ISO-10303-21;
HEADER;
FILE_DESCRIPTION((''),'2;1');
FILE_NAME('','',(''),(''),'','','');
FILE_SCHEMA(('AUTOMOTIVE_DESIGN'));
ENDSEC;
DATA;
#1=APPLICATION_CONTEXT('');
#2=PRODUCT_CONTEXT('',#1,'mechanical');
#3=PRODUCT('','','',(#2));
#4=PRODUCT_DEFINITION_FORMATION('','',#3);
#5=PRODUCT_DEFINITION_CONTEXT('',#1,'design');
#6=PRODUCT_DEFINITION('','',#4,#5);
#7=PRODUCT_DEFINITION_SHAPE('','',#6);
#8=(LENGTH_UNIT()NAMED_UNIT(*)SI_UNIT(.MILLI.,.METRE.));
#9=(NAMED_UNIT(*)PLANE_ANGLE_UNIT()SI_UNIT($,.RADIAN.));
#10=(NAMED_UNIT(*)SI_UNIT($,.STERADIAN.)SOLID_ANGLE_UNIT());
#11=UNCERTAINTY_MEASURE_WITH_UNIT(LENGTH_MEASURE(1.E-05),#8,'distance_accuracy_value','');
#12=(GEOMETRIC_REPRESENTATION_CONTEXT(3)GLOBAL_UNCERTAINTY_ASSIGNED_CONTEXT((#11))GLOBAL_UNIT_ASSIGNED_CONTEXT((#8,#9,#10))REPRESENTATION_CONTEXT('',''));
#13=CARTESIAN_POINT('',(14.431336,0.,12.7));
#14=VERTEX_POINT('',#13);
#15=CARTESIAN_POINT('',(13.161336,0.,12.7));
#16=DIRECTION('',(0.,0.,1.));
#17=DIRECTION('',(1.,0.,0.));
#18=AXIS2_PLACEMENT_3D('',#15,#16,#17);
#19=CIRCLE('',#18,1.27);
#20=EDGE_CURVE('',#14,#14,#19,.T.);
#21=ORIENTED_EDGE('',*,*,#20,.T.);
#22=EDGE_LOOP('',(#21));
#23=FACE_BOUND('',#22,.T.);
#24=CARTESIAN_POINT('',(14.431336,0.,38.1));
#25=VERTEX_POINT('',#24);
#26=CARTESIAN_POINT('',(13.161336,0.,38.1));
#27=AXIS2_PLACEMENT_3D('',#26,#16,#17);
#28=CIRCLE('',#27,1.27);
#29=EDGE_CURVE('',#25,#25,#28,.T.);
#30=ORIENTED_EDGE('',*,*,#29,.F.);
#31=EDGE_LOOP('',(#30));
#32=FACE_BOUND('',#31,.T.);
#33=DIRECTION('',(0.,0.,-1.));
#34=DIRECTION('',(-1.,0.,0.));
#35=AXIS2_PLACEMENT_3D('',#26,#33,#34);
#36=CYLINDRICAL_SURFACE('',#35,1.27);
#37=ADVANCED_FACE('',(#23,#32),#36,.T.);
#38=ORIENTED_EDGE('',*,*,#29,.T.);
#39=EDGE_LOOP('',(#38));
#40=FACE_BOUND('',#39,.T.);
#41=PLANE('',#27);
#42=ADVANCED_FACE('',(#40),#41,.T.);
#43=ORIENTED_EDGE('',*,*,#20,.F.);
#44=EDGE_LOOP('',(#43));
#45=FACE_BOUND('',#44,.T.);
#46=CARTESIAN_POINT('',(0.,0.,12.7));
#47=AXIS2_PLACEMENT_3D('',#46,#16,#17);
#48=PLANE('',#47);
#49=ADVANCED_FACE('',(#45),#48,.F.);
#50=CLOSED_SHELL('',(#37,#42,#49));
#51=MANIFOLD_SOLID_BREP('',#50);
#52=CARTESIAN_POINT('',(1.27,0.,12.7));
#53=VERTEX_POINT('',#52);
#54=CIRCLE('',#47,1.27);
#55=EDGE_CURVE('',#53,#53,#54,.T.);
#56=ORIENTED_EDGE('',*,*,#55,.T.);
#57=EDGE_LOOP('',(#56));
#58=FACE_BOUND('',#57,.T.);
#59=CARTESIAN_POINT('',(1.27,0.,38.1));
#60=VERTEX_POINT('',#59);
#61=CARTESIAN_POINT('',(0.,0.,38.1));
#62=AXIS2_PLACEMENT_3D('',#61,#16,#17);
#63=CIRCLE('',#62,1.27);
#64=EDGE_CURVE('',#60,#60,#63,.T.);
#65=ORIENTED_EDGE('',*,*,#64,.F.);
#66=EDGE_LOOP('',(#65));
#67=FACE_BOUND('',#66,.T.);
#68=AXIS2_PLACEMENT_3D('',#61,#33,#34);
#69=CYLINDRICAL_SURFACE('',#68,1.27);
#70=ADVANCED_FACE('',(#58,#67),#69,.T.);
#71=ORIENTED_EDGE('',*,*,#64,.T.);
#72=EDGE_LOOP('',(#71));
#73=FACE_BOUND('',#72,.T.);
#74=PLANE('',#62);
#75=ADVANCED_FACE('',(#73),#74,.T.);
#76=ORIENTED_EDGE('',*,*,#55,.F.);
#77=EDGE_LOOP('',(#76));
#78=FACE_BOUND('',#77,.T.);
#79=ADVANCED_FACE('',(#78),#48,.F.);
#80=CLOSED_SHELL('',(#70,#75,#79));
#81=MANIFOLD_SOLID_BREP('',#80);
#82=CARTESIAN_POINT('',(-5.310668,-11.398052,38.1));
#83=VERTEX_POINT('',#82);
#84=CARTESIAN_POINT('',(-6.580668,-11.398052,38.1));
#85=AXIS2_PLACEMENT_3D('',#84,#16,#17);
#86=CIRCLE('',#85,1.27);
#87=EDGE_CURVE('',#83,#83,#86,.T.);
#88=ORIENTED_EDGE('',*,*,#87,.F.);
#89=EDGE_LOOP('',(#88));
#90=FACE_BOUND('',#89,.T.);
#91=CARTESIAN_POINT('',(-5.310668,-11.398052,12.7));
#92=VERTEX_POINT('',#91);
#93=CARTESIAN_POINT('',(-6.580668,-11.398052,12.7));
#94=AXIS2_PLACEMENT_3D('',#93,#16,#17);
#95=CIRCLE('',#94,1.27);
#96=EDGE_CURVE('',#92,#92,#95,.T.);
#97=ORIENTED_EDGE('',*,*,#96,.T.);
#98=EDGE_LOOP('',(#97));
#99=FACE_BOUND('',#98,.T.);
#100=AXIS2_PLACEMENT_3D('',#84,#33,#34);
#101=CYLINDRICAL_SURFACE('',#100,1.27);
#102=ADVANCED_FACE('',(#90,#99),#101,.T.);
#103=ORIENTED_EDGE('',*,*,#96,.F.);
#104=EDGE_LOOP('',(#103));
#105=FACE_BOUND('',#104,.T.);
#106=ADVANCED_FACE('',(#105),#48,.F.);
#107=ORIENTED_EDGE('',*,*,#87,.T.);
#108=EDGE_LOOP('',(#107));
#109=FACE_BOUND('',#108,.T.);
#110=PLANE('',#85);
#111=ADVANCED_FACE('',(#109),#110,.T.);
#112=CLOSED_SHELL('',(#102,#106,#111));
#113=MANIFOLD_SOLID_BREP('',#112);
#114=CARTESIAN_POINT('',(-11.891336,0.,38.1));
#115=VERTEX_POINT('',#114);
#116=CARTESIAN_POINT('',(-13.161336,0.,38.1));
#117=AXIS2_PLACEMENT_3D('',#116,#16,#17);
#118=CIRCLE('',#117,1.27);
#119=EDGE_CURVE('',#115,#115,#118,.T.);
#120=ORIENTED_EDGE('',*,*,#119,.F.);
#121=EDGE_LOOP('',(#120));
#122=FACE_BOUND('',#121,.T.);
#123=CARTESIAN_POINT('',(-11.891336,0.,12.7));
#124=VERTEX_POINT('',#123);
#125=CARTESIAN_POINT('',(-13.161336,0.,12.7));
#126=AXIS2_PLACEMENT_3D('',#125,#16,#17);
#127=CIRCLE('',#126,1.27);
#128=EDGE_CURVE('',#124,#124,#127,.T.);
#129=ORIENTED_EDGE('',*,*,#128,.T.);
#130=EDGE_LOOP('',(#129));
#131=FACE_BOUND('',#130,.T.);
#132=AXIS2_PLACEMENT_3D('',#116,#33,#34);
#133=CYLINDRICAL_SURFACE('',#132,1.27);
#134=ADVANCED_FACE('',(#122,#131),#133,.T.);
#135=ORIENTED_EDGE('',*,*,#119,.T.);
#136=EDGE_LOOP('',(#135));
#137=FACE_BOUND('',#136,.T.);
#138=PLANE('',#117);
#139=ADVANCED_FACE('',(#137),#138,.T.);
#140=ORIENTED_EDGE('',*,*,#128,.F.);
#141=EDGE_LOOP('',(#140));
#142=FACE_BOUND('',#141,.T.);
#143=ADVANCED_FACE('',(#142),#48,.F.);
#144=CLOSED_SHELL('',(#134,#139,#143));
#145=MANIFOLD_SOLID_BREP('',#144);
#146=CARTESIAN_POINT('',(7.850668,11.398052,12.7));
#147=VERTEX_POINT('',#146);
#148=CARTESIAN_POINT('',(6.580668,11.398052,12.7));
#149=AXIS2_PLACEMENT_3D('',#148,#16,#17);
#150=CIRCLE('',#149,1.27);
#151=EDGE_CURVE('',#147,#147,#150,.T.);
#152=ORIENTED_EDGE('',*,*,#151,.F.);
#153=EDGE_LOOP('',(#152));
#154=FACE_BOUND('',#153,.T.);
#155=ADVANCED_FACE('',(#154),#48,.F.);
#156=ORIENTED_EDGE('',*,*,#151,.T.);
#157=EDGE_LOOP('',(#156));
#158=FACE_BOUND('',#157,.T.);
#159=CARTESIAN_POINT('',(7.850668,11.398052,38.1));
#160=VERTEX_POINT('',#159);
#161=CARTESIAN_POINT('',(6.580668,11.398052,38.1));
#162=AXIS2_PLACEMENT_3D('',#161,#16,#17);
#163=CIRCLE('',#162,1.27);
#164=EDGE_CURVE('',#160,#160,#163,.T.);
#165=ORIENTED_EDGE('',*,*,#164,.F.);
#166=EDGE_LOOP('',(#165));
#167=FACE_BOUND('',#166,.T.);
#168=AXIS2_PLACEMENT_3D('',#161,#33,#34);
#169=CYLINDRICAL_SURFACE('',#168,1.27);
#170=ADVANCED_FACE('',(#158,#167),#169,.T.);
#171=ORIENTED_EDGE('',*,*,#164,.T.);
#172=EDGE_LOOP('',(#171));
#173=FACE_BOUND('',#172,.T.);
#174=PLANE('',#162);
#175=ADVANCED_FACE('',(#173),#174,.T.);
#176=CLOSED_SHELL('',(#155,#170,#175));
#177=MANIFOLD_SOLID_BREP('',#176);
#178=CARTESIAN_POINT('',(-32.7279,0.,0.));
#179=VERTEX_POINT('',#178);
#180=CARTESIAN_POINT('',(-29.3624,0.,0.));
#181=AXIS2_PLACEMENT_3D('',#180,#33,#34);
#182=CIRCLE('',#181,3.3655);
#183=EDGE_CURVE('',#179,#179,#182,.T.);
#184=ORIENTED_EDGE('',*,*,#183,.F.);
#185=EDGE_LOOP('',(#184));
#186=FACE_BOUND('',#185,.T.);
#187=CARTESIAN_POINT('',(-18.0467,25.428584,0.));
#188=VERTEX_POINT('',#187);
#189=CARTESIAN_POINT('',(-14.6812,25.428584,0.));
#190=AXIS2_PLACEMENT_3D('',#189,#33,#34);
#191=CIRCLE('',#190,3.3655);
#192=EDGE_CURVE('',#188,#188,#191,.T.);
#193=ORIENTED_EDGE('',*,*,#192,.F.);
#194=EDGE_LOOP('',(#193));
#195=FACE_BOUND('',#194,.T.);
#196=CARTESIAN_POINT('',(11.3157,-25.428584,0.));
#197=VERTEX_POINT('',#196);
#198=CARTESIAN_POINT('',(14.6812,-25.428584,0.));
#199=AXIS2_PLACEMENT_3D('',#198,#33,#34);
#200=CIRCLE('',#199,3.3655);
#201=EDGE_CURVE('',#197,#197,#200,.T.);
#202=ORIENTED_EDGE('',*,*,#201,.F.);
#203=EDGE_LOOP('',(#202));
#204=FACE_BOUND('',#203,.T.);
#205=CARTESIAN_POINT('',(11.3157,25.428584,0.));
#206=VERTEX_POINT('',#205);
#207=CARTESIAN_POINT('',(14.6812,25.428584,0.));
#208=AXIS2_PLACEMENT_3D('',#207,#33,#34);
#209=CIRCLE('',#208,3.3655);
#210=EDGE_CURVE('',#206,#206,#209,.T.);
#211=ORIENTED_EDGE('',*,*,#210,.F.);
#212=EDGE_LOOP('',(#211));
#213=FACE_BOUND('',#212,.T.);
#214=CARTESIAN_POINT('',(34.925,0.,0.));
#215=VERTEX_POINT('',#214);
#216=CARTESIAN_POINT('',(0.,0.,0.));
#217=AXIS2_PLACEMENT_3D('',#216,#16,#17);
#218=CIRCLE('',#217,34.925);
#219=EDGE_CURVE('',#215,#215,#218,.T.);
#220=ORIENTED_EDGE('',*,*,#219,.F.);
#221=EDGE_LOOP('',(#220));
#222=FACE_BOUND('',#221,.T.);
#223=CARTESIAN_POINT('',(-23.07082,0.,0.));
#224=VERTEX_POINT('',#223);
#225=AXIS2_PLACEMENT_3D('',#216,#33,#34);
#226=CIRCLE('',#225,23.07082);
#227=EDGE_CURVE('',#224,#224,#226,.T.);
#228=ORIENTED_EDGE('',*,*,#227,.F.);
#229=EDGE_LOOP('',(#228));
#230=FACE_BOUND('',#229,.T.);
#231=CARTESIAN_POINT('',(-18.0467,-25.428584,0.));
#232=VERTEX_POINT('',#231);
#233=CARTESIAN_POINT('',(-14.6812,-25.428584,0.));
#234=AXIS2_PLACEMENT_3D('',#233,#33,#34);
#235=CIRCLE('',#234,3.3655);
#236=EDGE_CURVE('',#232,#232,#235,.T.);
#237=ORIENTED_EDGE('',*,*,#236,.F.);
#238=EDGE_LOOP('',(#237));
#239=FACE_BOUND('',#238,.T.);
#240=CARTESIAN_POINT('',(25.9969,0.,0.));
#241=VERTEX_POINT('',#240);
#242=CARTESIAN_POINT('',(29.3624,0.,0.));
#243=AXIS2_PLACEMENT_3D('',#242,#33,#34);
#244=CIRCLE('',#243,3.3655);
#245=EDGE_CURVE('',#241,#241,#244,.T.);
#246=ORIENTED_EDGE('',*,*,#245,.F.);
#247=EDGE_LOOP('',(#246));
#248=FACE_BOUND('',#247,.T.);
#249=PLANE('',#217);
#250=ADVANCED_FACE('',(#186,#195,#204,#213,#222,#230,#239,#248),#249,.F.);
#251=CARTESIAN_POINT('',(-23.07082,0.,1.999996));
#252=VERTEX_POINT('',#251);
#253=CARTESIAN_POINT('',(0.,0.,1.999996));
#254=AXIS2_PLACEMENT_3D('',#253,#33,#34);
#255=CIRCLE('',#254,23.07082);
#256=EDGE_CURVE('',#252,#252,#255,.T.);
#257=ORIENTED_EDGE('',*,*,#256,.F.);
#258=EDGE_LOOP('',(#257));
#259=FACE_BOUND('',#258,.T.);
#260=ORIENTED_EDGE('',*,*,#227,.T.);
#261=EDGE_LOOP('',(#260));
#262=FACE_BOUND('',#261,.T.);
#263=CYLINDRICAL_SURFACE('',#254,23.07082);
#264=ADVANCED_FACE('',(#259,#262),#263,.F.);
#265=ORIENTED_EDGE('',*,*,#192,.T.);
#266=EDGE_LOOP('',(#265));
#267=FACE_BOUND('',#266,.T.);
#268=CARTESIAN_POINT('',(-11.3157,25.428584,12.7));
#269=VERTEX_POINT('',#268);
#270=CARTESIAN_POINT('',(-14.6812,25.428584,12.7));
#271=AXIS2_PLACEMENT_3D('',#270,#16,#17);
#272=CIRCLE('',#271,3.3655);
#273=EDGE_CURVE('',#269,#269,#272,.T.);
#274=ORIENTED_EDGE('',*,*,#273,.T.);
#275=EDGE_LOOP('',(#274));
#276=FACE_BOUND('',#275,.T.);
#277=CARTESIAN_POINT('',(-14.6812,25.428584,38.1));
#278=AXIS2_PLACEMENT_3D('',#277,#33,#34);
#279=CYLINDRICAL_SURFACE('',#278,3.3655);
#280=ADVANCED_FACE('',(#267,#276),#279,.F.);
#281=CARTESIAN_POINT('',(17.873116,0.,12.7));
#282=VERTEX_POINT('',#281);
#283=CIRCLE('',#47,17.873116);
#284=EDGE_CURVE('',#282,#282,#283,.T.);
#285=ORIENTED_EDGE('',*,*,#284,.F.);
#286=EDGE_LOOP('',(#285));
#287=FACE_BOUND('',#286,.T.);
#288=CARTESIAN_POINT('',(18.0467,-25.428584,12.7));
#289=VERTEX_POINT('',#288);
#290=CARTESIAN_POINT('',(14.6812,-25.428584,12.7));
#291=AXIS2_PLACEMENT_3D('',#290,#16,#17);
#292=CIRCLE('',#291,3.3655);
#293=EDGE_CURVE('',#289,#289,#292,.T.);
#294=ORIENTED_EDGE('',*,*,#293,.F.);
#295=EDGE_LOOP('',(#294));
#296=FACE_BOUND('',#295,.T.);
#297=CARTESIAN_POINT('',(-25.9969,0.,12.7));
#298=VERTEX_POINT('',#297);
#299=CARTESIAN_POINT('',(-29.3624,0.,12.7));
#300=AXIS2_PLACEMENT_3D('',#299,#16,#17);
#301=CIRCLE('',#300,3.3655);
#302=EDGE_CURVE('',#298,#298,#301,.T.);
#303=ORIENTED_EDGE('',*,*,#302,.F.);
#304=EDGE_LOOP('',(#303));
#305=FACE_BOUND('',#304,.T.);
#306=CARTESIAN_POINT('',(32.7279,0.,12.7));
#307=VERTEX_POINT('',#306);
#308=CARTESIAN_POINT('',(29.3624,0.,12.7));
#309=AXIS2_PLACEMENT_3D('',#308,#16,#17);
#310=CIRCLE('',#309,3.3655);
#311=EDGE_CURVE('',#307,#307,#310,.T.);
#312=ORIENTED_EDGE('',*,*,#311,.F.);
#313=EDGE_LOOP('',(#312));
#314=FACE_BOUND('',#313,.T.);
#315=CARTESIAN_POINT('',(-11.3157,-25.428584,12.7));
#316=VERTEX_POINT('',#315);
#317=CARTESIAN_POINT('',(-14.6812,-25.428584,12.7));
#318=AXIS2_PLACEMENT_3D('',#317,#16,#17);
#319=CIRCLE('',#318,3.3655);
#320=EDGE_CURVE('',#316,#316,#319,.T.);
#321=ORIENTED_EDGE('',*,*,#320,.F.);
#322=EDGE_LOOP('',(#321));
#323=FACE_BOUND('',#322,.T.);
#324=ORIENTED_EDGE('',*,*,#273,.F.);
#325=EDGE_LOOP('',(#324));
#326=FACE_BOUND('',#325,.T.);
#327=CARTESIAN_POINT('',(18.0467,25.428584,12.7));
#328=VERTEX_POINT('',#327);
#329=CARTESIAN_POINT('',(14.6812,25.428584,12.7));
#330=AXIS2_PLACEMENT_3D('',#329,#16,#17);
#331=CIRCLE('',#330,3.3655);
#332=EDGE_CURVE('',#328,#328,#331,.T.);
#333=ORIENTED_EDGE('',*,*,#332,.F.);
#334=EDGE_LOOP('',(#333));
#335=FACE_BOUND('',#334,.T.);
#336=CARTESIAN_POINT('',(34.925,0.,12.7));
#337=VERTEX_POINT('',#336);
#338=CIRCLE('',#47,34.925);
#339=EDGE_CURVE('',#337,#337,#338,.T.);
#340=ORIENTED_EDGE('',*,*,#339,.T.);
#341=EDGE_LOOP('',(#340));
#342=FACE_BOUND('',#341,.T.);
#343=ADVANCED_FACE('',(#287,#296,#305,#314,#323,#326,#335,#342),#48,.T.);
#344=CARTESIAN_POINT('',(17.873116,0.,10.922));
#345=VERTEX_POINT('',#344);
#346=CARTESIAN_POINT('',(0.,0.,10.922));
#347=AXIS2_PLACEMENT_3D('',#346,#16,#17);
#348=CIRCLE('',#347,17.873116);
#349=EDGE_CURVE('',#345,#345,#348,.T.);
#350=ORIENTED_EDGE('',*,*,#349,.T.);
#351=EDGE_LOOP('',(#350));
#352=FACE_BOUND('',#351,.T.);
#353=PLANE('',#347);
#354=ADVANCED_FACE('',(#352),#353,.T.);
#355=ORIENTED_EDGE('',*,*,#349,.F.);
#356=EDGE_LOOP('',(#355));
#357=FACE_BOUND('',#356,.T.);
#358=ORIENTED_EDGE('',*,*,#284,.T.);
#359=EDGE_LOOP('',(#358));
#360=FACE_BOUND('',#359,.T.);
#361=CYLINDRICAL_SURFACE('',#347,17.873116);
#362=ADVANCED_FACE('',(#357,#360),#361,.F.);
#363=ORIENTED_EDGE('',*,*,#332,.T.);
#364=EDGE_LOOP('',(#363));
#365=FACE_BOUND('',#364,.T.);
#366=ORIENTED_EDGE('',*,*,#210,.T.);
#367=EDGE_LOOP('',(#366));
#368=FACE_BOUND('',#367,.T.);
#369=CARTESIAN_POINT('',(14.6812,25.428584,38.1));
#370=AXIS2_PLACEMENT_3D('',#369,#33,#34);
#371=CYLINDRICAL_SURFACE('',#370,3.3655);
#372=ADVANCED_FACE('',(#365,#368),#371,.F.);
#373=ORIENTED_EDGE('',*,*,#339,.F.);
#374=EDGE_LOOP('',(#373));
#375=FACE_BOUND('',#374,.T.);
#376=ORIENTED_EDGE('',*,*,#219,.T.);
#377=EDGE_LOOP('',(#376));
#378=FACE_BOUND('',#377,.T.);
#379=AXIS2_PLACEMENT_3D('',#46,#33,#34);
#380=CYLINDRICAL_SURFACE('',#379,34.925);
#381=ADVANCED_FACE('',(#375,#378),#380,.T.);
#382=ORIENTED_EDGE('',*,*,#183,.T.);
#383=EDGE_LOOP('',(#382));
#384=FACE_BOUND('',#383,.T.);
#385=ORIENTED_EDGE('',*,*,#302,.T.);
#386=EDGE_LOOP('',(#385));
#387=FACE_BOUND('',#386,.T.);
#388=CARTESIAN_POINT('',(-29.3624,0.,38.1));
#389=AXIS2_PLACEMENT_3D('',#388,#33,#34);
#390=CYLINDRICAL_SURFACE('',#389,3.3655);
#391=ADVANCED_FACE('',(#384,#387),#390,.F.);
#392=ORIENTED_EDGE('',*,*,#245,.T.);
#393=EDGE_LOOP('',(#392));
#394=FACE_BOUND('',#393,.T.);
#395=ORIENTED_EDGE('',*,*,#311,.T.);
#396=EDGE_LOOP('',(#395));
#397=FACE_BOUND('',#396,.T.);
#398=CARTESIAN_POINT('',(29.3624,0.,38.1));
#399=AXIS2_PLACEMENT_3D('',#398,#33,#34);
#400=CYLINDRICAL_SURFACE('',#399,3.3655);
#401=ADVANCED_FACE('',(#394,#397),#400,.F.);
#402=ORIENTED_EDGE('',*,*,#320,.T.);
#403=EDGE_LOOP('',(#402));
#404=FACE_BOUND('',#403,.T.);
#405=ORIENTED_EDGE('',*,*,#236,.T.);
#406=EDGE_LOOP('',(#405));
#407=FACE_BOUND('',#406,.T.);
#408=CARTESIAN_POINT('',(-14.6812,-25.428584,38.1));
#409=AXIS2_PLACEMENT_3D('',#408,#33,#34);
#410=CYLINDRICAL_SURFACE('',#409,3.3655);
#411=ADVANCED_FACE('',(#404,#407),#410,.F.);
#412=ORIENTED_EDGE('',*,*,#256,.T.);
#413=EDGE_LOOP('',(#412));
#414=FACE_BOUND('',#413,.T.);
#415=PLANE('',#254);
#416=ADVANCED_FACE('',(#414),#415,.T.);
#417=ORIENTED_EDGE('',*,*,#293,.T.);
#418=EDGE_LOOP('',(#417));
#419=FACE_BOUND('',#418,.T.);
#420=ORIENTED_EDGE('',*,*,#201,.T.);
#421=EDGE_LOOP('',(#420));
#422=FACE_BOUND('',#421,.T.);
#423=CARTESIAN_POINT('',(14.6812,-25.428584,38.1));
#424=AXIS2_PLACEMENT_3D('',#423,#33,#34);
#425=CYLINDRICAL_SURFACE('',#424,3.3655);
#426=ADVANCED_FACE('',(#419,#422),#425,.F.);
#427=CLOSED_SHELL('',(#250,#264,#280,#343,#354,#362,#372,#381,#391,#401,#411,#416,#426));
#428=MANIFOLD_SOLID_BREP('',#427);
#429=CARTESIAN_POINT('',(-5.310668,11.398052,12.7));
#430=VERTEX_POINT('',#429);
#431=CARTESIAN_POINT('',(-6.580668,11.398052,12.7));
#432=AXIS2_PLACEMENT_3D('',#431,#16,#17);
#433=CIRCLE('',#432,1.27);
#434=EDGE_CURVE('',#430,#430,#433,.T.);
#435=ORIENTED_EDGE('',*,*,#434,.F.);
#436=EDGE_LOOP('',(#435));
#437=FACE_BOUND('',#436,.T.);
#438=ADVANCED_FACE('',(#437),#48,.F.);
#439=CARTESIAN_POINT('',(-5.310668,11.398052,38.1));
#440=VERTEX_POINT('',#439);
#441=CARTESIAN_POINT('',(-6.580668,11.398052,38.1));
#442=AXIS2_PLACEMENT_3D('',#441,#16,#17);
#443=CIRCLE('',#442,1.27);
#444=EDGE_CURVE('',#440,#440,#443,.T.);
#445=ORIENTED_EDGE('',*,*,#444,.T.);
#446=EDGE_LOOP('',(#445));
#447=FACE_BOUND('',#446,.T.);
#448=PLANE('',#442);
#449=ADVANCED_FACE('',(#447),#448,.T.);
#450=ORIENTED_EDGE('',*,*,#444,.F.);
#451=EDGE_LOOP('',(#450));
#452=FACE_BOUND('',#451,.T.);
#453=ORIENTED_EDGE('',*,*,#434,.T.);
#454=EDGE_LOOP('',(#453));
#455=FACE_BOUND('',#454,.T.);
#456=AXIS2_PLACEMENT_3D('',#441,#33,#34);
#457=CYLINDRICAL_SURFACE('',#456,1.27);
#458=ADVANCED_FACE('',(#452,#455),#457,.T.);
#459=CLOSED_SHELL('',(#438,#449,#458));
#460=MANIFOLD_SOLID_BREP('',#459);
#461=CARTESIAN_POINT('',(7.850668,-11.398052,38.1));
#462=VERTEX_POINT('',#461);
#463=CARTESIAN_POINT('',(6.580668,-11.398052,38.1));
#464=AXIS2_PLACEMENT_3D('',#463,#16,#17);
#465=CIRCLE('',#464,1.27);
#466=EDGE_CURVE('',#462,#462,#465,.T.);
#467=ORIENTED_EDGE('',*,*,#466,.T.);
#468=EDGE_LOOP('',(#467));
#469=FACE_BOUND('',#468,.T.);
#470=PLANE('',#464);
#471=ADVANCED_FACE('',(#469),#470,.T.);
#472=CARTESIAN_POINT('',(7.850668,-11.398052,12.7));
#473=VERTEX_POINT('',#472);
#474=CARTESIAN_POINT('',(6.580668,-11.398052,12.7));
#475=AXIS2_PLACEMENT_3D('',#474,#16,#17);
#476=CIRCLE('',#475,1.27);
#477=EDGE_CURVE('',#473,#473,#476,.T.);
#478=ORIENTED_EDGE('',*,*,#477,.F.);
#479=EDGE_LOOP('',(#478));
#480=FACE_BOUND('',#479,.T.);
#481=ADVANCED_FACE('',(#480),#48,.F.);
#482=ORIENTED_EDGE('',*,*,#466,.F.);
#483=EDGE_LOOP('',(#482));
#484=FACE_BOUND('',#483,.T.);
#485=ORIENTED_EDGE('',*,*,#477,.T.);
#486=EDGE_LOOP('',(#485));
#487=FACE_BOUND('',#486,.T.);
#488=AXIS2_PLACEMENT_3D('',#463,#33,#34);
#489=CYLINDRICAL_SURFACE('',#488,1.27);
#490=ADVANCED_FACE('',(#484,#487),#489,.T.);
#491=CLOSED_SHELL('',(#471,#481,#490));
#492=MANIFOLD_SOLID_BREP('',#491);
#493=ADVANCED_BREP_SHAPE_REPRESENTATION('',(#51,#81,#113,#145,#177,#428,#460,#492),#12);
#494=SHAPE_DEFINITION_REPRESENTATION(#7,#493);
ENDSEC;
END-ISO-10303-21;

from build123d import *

# Parameters (mm, degrees)
SKETCH1_R          = 34.925
EXTRUDE1_DEPTH     = 12.7
SKETCH2_R          = 23.07082
CUT_EXTRUDE1_DEPTH = 1.999996
SKETCH3_R          = 1.27
EXTRUDE4_DEPTH     = 25.4
SKETCH4_R          = 17.873116296
CUT_EXTRUDE2_DEPTH = 1.778
SKETCH6_R          = 3.3655
CUT_EXTRUDE3_DEPTH = 63.378852586


with BuildPart() as part:
    # Sketch1 → Extrude1 (new body)
    with BuildSketch(Plane.XY):
        Circle(SKETCH1_R)
    extrude(amount=EXTRUDE1_DEPTH)

    # Sketch2 → Cut-Extrude1 (cut)
    with BuildSketch(Plane(origin=(0, 0, 0), x_dir=(-1, 0, 0), z_dir=(0, 0, -1))):
        Circle(SKETCH2_R)
    extrude(amount=-CUT_EXTRUDE1_DEPTH, mode=Mode.SUBTRACT)

    # Sketch3 → Extrude4 (add)
    with BuildSketch(Plane.XY.offset(12.7)):
        Circle(SKETCH3_R)
        with Locations((-6.580668236, 11.398051733)):
            Circle(SKETCH3_R)
        with Locations((6.580668236, 11.398051733)):
            Circle(SKETCH3_R)
        with Locations((13.161336472, 0)):
            Circle(SKETCH3_R)
        with Locations((6.580668236, -11.398051733)):
            Circle(SKETCH3_R)
        with Locations((-6.580668236, -11.398051733)):
            Circle(SKETCH3_R)
        with Locations((-13.161336472, 0)):
            Circle(SKETCH3_R)
    extrude(amount=EXTRUDE4_DEPTH)

    # Sketch4 → Cut-Extrude2 (cut)
    with BuildSketch(Plane.XY.offset(12.7)):
        Circle(SKETCH4_R)
    extrude(amount=-CUT_EXTRUDE2_DEPTH, mode=Mode.SUBTRACT)


with BuildPart() as cut_extrude2_piece_1:
    # of the separate pieces the step leaves, piece 1, a body of its own (cut_extrude2_pieces)
    add(part.part.solids().sort_by_distance((34.925, 0, 0))[0])

    # Sketch6 → Cut-Extrude3 (cut, through all)
    with BuildSketch(Plane(origin=(0, 0, 0), x_dir=(-1, 0, 0), z_dir=(0, 0, -1))):
        with Locations((-14.6812, 25.428584316)):
            Circle(SKETCH6_R)
        with Locations((14.6812, 25.428584316)):
            Circle(SKETCH6_R)
        with Locations((29.3624, 0)):
            Circle(SKETCH6_R)
        with Locations((14.6812, -25.428584316)):
            Circle(SKETCH6_R)
        with Locations((-14.6812, -25.428584316)):
            Circle(SKETCH6_R)
        with Locations((-29.3624, 0)):
            Circle(SKETCH6_R)
    extrude(amount=-CUT_EXTRUDE3_DEPTH, mode=Mode.SUBTRACT)


with BuildPart() as cut_extrude2_piece_2:
    # of the separate pieces the step leaves, piece 2, a body of its own (cut_extrude2_pieces)
    add(part.part.solids().sort_by_distance((-11.891336472, 0, 12.7))[0])


with BuildPart() as cut_extrude2_piece_3:
    # of the separate pieces the step leaves, piece 3, a body of its own (cut_extrude2_pieces)
    add(part.part.solids().sort_by_distance((14.431336472, 0, 12.7))[0])


with BuildPart() as cut_extrude2_piece_4:
    # of the separate pieces the step leaves, piece 4, a body of its own (cut_extrude2_pieces)
    add(part.part.solids().sort_by_distance((-5.310668236, -11.398051733, 12.7))[0])


with BuildPart() as cut_extrude2_piece_5:
    # of the separate pieces the step leaves, piece 5, a body of its own (cut_extrude2_pieces)
    add(part.part.solids().sort_by_distance((-5.310668236, 11.398051733, 12.7))[0])


with BuildPart() as cut_extrude2_piece_6:
    # of the separate pieces the step leaves, piece 6, a body of its own (cut_extrude2_pieces)
    add(part.part.solids().sort_by_distance((7.850668236, 11.398051733, 12.7))[0])


with BuildPart() as cut_extrude2_piece_7:
    # of the separate pieces the step leaves, piece 7, a body of its own (cut_extrude2_pieces)
    add(part.part.solids().sort_by_distance((1.27, 0, 12.7))[0])


with BuildPart() as cut_extrude2_piece_8:
    # of the separate pieces the step leaves, piece 8, a body of its own (cut_extrude2_pieces)
    add(part.part.solids().sort_by_distance((7.850668236, -11.398051733, 12.7))[0])


solid = Compound([cut_extrude2_piece_1.part, cut_extrude2_piece_2.part, cut_extrude2_piece_3.part, cut_extrude2_piece_4.part, cut_extrude2_piece_5.part, cut_extrude2_piece_6.part, cut_extrude2_piece_7.part, cut_extrude2_piece_8.part])
